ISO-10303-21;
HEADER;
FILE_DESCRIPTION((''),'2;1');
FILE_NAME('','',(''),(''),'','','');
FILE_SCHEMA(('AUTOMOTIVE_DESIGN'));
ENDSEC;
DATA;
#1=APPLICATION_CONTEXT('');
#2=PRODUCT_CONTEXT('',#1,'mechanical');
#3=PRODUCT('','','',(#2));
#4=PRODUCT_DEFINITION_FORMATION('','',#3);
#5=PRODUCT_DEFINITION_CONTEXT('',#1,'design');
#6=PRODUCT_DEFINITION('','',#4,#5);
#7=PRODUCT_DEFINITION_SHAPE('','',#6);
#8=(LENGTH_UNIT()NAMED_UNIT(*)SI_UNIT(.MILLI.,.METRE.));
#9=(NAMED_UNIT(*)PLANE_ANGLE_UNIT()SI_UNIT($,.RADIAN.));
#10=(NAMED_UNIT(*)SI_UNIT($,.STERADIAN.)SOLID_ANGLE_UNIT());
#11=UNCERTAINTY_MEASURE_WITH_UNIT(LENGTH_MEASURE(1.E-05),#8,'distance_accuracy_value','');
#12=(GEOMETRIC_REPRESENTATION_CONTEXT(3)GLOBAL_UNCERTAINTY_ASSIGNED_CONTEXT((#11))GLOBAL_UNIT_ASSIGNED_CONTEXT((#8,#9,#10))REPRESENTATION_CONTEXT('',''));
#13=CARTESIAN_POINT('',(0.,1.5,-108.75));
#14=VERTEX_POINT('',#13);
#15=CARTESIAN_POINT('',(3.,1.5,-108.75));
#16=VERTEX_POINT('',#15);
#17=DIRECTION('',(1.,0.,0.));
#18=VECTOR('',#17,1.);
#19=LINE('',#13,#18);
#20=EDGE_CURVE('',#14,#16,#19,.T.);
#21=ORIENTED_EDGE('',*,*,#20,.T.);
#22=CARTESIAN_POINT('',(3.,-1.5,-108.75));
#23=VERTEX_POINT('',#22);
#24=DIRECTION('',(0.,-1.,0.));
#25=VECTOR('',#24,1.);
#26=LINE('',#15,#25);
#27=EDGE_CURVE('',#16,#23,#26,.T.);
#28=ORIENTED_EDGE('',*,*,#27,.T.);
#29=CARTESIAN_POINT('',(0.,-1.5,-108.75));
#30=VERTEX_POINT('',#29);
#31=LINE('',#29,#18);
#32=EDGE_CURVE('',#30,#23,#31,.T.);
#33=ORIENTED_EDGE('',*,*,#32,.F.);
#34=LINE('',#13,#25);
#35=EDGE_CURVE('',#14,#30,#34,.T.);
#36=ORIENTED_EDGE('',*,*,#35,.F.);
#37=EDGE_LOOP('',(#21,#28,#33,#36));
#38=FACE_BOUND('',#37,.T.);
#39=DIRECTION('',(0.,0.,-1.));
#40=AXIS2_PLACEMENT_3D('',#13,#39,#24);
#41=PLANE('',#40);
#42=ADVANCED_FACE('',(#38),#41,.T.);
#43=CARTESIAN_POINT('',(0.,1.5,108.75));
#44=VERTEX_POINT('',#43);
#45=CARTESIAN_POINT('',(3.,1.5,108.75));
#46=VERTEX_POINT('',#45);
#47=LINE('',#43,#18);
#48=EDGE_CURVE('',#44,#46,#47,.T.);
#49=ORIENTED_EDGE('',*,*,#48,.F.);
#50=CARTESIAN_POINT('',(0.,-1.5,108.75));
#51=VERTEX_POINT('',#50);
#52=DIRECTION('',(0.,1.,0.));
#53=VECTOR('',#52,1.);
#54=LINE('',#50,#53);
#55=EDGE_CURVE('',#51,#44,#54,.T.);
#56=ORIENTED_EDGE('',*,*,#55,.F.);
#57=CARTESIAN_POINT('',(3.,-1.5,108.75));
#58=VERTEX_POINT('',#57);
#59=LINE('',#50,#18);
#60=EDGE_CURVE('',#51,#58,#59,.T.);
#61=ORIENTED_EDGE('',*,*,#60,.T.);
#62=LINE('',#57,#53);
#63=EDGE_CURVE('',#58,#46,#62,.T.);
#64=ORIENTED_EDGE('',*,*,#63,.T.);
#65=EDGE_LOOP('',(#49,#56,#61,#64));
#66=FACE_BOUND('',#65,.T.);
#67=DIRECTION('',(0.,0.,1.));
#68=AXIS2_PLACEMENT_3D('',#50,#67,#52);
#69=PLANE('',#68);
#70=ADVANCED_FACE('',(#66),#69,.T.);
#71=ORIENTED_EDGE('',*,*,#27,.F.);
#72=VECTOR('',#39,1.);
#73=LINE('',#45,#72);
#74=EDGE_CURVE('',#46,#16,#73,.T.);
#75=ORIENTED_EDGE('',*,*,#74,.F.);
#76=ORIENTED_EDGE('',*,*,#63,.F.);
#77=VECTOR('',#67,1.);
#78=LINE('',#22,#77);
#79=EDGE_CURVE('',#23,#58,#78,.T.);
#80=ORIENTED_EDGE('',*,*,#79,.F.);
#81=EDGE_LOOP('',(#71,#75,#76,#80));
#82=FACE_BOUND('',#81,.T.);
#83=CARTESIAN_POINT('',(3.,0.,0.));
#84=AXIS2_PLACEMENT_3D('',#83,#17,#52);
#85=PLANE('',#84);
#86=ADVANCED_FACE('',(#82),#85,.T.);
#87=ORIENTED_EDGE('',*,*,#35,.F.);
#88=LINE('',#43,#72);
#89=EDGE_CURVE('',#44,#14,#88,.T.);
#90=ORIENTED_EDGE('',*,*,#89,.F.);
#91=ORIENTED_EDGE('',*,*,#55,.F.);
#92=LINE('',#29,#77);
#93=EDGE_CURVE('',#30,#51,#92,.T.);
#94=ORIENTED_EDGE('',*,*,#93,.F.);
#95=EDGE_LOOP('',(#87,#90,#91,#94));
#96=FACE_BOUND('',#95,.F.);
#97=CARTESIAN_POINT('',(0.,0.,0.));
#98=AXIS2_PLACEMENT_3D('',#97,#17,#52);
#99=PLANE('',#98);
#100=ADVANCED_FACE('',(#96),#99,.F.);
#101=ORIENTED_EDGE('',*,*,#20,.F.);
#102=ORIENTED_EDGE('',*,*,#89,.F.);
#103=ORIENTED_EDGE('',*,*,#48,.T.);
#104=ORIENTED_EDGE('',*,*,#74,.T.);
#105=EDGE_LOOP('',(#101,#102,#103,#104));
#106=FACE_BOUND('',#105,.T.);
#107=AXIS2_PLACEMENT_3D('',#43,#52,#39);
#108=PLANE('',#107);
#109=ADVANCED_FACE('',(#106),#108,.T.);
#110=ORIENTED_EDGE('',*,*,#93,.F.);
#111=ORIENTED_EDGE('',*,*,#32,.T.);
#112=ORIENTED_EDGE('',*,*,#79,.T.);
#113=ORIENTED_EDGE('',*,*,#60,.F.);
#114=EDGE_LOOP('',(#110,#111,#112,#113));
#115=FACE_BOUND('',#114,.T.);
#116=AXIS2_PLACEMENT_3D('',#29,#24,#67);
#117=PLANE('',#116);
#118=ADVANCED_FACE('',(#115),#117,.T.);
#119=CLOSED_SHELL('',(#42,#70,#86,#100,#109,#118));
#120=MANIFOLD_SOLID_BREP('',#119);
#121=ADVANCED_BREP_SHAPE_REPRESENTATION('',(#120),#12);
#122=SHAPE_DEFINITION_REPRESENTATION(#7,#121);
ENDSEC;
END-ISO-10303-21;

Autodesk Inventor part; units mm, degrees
ref_plane "YZ Plane" through (0, 0, 0) normal (1, 0, 0) x (0, 1, 0)
ref_plane "XZ Plane" through (0, 0, 0) normal (0, 1, 0) x (-1, 0, 0)
ref_plane "XY Plane" through (0, 0, 0) normal (0, 0, 1) x (1, 0, 0)
sketch "Sketch1" plane through (0, 0, 0) normal (1, 0, 0) x (0, 1, 0)
  line L0 (-1.5, 108.75) -> (1.5, 108.75)
  line L1 (1.5, 108.75) -> (1.5, -108.75)
  line L2 (1.5, -108.75) -> (-1.5, -108.75)
  line L3 (-1.5, -108.75) -> (-1.5, 108.75)
  line L4 (-1.5, 108.75) -> (1.5, -108.75) construction
  line L5 (1.5, 108.75) -> (-1.5, -108.75) construction
  point P0 (0, 0)
  dimension "d0" = 217.5
  dimension "d1" = 3
extrude "Extrusion1" add sketch "Sketch1" along normal blind 3
equation "\"BendRadius\" = Thickness"
equation "\"BendReliefWidth\" = Thickness"
equation "\"BendReliefDepth\" = 0.5 * Thickness"
equation "\"CornerReliefSize\" = 4 * Thickness"
equation "\"MinimumRemnant\" = 2 * Thickness"
equation "\"TransitionRadius\" = BendRadius"
equation "\"JacobiRadiusSize\" = BendRadius"
equation "\"GapSize\" = Thickness"
equation "\"Thickness\" = 3.048"
properties part number "Soporte1"
